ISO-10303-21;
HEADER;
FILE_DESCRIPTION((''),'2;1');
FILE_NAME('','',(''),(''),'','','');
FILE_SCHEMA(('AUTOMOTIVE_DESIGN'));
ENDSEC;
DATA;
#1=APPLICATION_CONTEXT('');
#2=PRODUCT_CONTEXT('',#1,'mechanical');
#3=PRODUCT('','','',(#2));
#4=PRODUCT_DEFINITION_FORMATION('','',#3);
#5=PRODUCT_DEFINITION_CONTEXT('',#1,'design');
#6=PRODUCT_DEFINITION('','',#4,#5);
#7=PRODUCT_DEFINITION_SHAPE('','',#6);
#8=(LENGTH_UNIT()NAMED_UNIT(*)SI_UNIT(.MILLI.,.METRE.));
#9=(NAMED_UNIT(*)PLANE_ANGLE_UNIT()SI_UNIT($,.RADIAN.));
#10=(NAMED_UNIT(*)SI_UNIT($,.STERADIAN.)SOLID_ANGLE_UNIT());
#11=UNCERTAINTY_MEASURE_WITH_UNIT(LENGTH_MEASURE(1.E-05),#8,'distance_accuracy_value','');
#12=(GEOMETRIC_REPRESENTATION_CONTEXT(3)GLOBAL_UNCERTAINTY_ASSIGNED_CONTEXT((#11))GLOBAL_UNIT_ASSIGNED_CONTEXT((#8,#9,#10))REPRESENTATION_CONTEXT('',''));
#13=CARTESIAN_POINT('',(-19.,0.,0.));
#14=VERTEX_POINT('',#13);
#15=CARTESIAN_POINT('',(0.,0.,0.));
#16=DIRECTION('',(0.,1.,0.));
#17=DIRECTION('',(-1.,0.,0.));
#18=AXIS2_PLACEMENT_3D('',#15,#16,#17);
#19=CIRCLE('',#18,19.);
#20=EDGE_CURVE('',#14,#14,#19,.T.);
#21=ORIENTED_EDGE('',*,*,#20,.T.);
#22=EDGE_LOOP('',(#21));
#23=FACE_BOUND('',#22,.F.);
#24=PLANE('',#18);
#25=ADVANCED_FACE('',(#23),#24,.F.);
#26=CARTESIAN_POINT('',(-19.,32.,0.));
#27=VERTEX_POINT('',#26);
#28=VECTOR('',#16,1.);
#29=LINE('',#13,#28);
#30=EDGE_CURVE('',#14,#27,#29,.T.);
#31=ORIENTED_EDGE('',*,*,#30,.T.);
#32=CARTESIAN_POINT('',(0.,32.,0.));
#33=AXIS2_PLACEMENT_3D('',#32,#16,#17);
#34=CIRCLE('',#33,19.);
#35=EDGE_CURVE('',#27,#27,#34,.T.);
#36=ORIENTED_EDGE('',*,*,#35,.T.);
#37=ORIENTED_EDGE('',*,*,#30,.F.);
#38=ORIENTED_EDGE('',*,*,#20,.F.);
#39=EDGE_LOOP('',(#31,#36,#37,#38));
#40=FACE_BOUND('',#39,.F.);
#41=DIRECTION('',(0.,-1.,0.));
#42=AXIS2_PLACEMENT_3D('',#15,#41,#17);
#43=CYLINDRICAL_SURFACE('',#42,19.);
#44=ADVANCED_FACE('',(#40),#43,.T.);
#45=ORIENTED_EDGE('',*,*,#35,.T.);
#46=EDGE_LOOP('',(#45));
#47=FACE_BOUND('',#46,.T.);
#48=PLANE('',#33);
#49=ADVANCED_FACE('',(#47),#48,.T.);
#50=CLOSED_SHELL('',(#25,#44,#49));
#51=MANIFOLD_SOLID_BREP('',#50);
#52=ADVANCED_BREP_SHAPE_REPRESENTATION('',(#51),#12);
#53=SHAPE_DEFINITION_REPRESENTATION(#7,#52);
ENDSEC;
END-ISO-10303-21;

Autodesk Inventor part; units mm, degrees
ref_plane "YZ Plane" through (0, 0, 0) normal (1, 0, 0) x (0, 1, 0)
ref_plane "XZ Plane" through (0, 0, 0) normal (0, 1, 0) x (-1, 0, 0)
ref_plane "XY Plane" through (0, 0, 0) normal (0, 0, 1) x (1, 0, 0)
sketch "スケッチ1" plane through (0, 0, 0) normal (0, 1, 0) x (-1, 0, 0)
  circle A0 centre (0, 0) radius 19
  dimension "d0" = 38
extrude "押し出し1" add sketch "スケッチ1" along normal blind 32
properties part number "motor"
